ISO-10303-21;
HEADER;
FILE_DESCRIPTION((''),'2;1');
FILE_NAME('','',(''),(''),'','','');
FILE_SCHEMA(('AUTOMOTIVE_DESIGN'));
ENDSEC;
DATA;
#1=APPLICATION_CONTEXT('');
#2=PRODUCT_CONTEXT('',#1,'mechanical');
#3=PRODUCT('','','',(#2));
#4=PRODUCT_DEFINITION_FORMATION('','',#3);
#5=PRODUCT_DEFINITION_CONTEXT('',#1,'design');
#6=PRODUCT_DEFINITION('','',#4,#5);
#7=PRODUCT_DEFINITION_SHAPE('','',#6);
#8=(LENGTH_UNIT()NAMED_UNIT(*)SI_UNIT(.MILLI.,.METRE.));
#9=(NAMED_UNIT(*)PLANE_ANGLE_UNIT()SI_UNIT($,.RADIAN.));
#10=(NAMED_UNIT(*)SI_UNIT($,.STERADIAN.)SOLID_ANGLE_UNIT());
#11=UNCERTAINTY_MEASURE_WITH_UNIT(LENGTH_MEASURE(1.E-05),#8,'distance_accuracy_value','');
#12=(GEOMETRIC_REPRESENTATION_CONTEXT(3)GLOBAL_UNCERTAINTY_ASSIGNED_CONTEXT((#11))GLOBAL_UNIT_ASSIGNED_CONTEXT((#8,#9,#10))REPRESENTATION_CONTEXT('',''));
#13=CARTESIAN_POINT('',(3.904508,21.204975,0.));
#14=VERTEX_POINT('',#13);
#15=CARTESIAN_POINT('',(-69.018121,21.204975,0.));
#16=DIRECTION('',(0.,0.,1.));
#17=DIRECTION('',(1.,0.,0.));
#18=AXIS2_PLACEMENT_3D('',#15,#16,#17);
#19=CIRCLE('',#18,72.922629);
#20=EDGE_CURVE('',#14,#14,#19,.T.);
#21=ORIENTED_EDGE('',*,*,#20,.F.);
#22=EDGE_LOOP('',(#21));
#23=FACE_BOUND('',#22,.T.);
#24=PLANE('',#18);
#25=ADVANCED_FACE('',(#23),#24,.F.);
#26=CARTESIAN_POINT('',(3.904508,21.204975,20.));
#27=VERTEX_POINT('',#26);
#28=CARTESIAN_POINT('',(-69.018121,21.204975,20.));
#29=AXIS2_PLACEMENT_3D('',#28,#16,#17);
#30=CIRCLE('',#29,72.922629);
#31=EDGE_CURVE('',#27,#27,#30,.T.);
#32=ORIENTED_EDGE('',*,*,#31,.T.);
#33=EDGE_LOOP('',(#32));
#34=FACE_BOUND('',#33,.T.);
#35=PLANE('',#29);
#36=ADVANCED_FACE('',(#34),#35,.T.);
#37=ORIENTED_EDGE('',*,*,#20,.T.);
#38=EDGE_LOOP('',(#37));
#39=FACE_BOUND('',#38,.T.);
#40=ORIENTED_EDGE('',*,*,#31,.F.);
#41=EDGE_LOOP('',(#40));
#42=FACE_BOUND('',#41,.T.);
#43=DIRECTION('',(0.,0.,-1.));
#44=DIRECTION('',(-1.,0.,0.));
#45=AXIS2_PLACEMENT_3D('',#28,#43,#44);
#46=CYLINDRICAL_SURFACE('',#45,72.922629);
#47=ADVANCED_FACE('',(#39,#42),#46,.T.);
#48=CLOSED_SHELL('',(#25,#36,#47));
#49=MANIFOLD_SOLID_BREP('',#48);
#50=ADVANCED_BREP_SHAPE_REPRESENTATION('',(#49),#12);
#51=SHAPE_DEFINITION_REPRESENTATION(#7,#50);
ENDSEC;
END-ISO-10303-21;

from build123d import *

# Parameters (mm, degrees)
SKETCH_1_R      = 72.922629372
EXTRUDE_1_DEPTH = 20


with BuildPart() as part:
    # Эскиз1 → Бобышка-Вытянуть1 (new body)
    with BuildSketch(Plane.XY):
        with Locations((-69.018121028, 21.204975485)):
            Circle(SKETCH_1_R)
    extrude(amount=EXTRUDE_1_DEPTH)


solid = part.part
